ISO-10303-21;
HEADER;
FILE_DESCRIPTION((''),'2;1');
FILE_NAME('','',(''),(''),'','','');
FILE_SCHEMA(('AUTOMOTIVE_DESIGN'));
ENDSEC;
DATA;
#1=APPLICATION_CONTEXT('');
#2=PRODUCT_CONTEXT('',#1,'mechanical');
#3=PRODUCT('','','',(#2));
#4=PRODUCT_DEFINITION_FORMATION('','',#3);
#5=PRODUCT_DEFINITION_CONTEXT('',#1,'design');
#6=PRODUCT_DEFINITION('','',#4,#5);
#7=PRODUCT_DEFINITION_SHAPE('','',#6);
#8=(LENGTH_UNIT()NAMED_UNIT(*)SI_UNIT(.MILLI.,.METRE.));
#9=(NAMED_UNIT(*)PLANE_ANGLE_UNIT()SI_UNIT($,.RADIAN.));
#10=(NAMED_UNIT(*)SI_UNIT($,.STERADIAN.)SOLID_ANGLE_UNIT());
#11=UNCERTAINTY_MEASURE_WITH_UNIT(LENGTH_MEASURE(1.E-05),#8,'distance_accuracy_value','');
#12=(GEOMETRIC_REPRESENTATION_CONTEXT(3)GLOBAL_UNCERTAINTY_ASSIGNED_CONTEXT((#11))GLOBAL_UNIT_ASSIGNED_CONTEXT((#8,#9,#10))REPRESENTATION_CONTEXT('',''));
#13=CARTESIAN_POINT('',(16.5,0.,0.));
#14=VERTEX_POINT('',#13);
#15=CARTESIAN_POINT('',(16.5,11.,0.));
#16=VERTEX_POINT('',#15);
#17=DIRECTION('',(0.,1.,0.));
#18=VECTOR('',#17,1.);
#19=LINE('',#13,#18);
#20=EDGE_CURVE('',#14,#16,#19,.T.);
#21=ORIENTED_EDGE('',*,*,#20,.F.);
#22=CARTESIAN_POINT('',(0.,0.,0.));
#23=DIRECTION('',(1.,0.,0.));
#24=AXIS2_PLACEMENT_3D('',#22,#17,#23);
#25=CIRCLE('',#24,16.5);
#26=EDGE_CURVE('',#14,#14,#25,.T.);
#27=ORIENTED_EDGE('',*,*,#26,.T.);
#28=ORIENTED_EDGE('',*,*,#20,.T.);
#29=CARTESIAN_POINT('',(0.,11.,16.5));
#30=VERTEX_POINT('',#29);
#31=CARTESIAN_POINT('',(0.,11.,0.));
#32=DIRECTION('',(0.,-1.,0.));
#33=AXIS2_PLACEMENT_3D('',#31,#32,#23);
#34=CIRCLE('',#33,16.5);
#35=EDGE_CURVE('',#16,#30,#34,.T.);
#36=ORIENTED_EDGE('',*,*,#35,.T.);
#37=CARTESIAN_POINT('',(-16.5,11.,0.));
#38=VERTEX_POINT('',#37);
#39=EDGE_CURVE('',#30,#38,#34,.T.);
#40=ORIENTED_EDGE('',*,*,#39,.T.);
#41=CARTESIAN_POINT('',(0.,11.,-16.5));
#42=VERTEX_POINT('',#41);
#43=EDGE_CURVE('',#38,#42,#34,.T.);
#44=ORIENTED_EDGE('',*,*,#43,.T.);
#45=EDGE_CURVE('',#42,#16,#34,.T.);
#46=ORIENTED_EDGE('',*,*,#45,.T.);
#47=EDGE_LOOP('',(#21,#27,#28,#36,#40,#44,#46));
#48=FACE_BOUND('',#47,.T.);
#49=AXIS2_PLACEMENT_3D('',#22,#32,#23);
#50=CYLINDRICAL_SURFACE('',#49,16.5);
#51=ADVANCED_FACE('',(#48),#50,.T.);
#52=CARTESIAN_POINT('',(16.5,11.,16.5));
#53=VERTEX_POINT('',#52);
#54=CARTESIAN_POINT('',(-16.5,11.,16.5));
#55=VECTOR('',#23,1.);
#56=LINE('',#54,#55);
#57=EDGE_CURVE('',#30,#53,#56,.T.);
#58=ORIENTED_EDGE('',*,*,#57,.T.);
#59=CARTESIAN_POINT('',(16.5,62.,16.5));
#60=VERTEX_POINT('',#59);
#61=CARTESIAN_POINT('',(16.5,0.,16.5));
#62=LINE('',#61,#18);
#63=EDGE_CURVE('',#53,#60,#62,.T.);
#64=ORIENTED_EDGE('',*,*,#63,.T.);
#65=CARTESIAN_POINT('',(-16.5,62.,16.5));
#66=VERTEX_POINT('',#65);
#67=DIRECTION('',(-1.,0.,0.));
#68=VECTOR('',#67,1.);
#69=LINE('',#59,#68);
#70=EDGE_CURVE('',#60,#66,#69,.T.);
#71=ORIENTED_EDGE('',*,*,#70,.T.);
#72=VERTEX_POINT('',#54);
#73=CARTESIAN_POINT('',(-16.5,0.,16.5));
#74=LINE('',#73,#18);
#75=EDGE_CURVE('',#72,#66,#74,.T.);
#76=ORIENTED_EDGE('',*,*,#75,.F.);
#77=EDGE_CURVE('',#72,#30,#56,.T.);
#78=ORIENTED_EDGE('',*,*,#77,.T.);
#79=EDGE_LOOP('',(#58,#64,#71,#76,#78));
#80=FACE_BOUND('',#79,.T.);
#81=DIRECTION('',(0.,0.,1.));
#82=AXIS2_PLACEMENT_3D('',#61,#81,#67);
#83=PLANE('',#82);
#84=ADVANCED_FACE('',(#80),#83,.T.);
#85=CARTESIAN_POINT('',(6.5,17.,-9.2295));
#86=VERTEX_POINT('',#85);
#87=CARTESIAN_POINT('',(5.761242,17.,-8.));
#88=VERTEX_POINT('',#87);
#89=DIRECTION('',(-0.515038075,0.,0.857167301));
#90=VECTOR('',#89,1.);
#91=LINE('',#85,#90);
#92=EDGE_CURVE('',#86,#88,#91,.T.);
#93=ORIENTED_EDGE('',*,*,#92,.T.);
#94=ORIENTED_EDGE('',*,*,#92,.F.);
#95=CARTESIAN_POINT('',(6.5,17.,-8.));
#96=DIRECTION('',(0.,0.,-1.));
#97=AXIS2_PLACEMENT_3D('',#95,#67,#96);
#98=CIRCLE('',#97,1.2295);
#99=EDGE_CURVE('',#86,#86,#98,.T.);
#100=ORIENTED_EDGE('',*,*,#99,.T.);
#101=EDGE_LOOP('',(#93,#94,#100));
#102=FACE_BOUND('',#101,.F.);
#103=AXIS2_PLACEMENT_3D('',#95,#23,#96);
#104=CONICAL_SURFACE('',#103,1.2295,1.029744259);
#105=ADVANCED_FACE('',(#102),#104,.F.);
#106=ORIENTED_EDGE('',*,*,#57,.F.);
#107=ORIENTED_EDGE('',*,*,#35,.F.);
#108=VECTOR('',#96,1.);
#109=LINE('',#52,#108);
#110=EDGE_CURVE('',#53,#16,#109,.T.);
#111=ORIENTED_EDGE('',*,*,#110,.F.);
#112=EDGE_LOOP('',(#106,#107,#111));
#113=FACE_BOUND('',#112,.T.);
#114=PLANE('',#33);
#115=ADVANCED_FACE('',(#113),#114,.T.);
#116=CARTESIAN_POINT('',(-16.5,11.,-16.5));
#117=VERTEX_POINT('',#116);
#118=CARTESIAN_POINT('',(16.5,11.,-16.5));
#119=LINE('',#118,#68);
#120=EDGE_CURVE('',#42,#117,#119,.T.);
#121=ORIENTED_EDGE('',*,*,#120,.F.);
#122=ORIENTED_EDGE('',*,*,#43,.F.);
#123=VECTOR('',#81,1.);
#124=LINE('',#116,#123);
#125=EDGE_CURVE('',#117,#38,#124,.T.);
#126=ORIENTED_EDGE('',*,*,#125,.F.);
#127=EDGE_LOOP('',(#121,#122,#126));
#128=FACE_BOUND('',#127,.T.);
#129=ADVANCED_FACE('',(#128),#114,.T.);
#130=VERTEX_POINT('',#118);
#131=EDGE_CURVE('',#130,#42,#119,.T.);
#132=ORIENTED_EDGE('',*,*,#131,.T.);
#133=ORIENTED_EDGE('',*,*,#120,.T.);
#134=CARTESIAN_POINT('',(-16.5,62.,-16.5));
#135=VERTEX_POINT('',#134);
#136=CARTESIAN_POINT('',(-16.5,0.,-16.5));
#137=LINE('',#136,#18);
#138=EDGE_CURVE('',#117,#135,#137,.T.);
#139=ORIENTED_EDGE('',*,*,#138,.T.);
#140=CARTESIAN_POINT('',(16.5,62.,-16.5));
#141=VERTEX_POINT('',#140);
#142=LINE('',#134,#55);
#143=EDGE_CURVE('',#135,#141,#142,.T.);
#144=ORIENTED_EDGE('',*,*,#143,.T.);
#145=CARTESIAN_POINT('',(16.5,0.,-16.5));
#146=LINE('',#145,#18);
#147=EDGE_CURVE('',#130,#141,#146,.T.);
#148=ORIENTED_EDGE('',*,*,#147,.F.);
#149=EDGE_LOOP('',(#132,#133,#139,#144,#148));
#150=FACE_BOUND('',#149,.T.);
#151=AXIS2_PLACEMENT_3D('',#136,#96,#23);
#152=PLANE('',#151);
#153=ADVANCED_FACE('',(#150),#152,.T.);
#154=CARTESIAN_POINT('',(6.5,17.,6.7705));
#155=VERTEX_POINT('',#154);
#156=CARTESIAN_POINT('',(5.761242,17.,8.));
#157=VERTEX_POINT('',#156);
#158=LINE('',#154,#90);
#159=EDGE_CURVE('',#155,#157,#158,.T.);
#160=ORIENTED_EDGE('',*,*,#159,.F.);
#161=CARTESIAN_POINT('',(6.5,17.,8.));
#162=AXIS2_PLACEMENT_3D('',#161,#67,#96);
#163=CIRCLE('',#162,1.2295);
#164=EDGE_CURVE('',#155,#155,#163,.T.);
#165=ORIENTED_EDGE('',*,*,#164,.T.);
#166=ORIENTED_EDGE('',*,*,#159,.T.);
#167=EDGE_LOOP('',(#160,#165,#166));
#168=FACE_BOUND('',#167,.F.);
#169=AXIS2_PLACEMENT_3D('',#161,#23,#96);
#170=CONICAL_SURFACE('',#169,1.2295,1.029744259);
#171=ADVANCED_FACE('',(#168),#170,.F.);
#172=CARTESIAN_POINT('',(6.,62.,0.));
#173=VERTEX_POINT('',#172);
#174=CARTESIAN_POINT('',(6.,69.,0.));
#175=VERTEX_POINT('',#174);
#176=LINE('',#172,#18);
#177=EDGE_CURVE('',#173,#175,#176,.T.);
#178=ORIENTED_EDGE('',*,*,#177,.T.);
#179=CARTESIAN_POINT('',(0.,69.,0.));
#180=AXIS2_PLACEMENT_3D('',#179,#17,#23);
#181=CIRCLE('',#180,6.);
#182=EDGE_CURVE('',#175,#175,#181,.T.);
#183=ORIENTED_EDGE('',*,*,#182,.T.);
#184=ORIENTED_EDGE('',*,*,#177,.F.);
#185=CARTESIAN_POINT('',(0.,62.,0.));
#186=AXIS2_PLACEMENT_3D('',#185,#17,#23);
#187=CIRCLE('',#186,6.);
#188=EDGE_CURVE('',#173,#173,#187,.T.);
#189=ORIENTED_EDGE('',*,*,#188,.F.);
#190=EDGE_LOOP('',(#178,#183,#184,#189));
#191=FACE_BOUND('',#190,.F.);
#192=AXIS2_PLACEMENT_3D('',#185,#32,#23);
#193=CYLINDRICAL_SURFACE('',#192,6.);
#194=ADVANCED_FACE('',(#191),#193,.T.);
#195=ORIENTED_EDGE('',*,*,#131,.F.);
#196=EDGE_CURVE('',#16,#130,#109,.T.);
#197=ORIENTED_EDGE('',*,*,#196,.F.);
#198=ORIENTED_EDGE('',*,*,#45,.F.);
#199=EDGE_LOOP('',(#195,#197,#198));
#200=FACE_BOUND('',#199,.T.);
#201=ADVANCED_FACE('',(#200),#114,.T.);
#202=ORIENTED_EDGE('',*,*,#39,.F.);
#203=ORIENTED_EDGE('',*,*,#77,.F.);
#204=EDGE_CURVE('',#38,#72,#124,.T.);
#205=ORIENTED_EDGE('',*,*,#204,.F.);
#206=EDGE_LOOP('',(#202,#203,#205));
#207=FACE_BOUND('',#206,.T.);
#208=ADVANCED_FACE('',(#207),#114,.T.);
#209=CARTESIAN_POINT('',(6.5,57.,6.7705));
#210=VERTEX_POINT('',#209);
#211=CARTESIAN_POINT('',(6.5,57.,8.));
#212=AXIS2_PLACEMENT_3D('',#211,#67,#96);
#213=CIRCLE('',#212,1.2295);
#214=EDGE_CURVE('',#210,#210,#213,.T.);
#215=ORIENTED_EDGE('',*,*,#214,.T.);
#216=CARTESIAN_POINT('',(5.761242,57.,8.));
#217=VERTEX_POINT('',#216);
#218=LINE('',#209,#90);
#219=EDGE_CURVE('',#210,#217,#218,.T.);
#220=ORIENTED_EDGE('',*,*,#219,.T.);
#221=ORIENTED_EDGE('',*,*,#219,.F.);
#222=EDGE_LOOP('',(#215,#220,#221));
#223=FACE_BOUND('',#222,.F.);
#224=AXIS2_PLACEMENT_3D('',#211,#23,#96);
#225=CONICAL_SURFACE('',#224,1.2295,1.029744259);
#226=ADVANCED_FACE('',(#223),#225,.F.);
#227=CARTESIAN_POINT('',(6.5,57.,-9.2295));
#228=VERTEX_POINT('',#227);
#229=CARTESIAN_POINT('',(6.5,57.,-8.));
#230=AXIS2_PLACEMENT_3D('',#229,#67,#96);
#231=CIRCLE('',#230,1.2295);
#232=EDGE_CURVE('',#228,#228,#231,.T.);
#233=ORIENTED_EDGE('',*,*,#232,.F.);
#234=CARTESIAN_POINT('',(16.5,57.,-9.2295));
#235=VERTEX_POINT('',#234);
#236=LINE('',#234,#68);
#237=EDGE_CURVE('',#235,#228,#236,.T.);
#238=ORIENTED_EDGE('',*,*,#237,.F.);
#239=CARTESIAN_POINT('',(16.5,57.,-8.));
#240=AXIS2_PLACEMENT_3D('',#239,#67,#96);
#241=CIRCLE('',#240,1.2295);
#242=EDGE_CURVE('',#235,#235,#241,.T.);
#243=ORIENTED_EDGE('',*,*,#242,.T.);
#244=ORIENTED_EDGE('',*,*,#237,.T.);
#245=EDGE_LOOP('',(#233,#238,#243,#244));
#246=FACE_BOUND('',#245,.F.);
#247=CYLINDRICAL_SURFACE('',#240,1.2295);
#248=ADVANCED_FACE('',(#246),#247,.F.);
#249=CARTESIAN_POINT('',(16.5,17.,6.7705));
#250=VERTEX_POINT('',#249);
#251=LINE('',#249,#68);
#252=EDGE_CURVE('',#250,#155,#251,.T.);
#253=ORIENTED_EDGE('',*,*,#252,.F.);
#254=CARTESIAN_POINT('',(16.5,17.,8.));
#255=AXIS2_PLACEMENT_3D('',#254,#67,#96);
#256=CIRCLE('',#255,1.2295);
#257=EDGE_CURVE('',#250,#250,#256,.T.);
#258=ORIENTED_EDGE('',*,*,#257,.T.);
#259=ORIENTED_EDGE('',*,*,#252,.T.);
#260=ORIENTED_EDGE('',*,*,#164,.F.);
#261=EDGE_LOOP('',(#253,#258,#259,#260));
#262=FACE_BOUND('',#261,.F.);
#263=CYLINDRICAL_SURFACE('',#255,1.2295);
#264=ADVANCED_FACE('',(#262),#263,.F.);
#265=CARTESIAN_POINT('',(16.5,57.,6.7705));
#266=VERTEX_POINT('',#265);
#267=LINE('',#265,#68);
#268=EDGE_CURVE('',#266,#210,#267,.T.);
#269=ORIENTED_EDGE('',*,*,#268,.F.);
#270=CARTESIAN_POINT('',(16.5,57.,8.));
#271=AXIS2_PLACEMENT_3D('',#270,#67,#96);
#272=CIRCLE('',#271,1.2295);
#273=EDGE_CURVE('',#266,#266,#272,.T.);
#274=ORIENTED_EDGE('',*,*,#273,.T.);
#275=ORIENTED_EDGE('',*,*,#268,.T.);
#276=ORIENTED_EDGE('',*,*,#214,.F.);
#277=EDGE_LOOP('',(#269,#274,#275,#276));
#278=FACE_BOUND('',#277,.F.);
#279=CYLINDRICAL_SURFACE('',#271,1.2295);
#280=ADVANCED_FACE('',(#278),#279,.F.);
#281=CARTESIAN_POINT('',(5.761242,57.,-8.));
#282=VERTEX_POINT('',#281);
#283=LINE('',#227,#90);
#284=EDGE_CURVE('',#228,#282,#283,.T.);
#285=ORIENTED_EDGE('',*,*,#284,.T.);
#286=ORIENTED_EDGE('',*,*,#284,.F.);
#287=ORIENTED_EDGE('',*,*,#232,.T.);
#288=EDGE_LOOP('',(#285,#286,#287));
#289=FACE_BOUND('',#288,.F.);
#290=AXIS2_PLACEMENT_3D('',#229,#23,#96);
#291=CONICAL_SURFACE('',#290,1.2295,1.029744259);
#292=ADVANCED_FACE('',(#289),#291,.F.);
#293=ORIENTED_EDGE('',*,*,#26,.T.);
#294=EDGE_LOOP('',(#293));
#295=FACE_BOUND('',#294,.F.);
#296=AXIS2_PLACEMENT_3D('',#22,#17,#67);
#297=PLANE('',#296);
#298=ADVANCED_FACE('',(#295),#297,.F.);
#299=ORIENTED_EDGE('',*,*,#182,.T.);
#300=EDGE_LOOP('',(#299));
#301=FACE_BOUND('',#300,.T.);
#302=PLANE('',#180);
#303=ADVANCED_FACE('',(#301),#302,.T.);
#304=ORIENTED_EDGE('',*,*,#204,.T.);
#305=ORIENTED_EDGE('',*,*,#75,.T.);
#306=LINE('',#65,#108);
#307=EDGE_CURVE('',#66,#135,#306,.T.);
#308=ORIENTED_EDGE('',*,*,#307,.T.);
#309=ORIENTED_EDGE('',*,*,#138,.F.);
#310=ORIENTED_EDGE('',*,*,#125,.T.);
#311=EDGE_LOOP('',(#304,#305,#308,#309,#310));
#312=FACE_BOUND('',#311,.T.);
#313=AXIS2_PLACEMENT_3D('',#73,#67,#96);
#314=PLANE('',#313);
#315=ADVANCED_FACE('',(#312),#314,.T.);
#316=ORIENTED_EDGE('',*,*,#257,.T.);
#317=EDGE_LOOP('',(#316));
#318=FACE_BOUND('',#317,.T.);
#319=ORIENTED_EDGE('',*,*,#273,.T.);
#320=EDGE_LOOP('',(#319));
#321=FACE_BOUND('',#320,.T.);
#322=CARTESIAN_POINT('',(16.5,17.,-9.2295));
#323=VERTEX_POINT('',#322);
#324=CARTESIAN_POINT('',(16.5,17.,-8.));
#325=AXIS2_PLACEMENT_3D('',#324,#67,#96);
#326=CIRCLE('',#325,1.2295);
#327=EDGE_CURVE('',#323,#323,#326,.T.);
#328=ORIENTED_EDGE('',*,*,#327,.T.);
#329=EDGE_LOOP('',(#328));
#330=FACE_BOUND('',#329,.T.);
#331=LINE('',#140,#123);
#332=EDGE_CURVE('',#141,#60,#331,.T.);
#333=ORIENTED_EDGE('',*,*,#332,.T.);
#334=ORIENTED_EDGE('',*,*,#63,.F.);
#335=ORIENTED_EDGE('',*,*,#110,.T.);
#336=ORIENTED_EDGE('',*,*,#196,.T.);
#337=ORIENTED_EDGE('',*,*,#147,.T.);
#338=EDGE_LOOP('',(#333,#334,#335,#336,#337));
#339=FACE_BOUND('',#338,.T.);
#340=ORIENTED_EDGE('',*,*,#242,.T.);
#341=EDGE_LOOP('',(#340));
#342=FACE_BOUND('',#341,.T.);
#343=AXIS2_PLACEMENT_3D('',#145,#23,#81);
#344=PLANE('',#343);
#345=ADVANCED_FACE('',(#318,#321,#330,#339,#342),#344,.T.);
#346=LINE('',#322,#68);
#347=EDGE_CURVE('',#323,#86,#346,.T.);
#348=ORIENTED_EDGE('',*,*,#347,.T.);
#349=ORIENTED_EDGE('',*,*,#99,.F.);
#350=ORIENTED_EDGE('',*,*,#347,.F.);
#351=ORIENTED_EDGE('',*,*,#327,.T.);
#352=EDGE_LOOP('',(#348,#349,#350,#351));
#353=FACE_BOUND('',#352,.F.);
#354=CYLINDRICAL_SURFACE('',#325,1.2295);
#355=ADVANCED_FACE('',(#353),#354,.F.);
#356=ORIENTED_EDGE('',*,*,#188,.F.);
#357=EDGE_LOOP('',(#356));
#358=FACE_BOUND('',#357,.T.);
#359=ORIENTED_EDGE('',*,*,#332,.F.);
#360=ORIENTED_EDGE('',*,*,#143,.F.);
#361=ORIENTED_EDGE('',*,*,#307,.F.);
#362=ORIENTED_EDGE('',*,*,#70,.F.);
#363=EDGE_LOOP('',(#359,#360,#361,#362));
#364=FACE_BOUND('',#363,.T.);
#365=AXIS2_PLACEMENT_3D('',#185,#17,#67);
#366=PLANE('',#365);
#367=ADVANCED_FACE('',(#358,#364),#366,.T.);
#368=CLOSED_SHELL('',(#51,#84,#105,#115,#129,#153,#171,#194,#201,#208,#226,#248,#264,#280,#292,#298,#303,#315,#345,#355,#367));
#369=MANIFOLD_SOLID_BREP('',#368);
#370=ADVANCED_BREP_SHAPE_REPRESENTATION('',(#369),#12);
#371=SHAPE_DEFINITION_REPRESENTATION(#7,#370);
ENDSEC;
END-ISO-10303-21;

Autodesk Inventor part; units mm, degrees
ref_plane "YZ Plane" through (0, 0, 0) normal (1, 0, 0) x (0, 1, 0)
ref_plane "XZ Plane" through (0, 0, 0) normal (0, 1, 0) x (-1, 0, 0)
ref_plane "XY Plane" through (0, 0, 0) normal (0, 0, 1) x (1, 0, 0)
sketch "Sketch1" plane through (0, 0, 0) normal (0, 1, 0) x (-1, 0, 0)
  line L0 (-16.5, 16.5) -> (16.5, 16.5)
  line L1 (16.5, 16.5) -> (16.5, -16.5)
  line L2 (16.5, -16.5) -> (-16.5, -16.5)
  line L3 (-16.5, -16.5) -> (-16.5, 16.5)
  line L4 (-16.5, 16.5) -> (16.5, -16.5) construction
  line L5 (16.5, 16.5) -> (-16.5, -16.5) construction
  point P0 (0, 0)
  dimension "d0" = 33
  dimension "d1" = 33
extrude "Extrusion1" add sketch "Sketch1" along normal blind 62
sketch "Sketch2" plane through (0, 62, 0) normal (0, 1, 0) x (1, 0, 0)
  circle A0 centre (0, 0) radius 6
  dimension "d4" = 12
extrude "Extrusion2" add sketch "Sketch2" along normal blind 7
sketch "Sketch3" plane through (16.5, 0, 16.5) normal (1, 0, 0) x (0, 0, -1)
  circle A0 centre (8.5, 57) radius 1.575
  line L0 (-0.0785, 57) -> (33, 57)
  line L1 (33, 0) -> (33, 62) projected
  line L2 (0, 62) -> (33, 62) projected
  line L3 (33, 62) -> (0, 62) projected
  line L4 (16.5, 62) -> (16.5, 57)
  line L5 (0, 17) -> (33, 17)
  line L6 (16.5, 57) -> (16.5, 17)
  line L7 (16.5, 37) -> (33, 37)
  circle A1 centre (24.5, 57) radius 1.575
  circle A2 centre (8.5, 17) radius 1.575
  circle A3 centre (24.5, 17) radius 1.575
  point P0 (16.5, 0)
  dimension "d7" = 3.15
  dimension "d8" = 5
  dimension "d9" = 8
  dimension "d10" = 40
hole "Hole1" at (16.5, 57, 8) at (16.5, 57, -8) at (16.5, 17, 8) at (16.5, 17, -8) direction (-1, 0, 0) diameter 2.459 depth 10 tip angle 118 thread size "M3x0.5" class "6H" standard "ANSI Metric M Profile"
sketch "Sketch4" plane through (0, 0, 0) normal (0, -1, 0) x (1, 0, 0)
  circle A0 centre (0, 0) radius 16.5
  line L0 (16.5, -16.5) -> (-16.5, -16.5) projected
  line L1 (-16.5, 16.5) -> (16.5, 16.5)
  line L2 (16.5, 16.5) -> (16.5, -16.5)
  line L3 (16.5, -16.5) -> (-16.5, -16.5)
  line L4 (-16.5, -16.5) -> (-16.5, 16.5)
  line L5 (-16.5, 16.5) -> (16.5, -16.5) construction
  line L6 (16.5, 16.5) -> (-16.5, -16.5) construction
  dimension "d18" = 33
extrude "Extrusion3" cut sketch "Sketch4" against normal blind 11 contours L2 L0 A0 | A0 L1 L2 | A0 L4 L1 | L0 L4 A0
equation "\"d0\" = laser_y"
equation "\"d1\" = laser_z"
equation "\"d2\" = laser_x"
equation "\"d4\" = laser_diameter"
equation "\"d7\" = m3_diameter"
equation "\"d10\" = laser_screw_spacing_x"
equation "\"d18\" = laser_y"
equation "\"thick_acrylic\" = 5.88"
equation "\"thin_acrylic\" = 3.15"
equation "\"clear_acrylic\" = 3.15"
equation "\"wood_thickness\" = 6.72"
equation "\"al1_thickness\" = 1.5875"
equation "\"m3_diameter\" = 3.15"
equation "\"m4_diameter\" = 4.2"
equation "\"m5_diameter\" = 5.25"
equation "\"brass_insert_drill\" = 4"
equation "\"m5_brass_insert_drill\" = 6.7"
equation "\"m5_press_nut_drill\" = 6.35"
equation "\"m3_main_length\" = 14"
equation "\"m3_main_nut_width\" = 5.7"
equation "\"m3_main_nut_thickness\" = 2.5"
equation "\"m3_main_extra\" = 1"
equation "\"stepper_screw_space\" = 35"
equation "\"stepper_shaft_diameter\" = 5"
equation "\"stepper_body_diameter\" = 28"
equation "\"laser_body_diameter\" = 12"
equation "\"t_carrier\" = 6.72"
equation "\"t_wall\" = 5.88"
equation "\"t_window\" = 3.15"
equation "\"carrier_y\" = 181"
equation "\"carrier_z\" = 233.04"
equation "\"carrier_z2\" = 283.04"
equation "\"protection_slot\" = 30.2"
equation "\"protection_slot_offset\" = 37.75"
equation "\"protection_slot_length\" = 20.6"
equation "\"window_z\" = 185"
equation "\"window_y\" = 49.56"
equation "\"window_slot\" = 25"
equation "\"door_sensor\" = 35"
equation "\"reservoir_x\" = 151"
equation "\"reservoir_y\" = 151"
equation "\"linear_bearing_spacing\" = 207"
equation "\"linear_bearing_z\" = 304.8"
equation "\"threaded_rod_z\" = 203.2"
equation "\"motor_spacing\" = 287"
equation "\"t_tray\" = 3.15"
equation "\"tray_border\" = 15"
equation "\"tray_x\" = 151"
equation "\"tray_y\" = 181"
equation "\"bed_t\" = 1.5875"
equation "\"bed_y2\" = 45.96"
equation "\"bed_fold_x\" = 15"
equation "\"bed_gap\" = 0.3"
equation "\"t_inner_tray\" = 5.88"
equation "\"t_tape\" = 3"
equation "\"inner_tray_x\" = 145"
equation "\"inner_tray_y\" = 145"
equation "\"inner_tray_border\" = 5"
equation "\"inner_tray_radius\" = 24"
equation "\"t_bottom_clear\" = 3.15"
equation "\"bottom_clear_border\" = 5"
equation "\"brass_keep_out\" = 8"
equation "\"tape_keep_out\" = 2"
equation "\"tape_thickness\" = 2"
equation "\"t_crane\" = 6.72"
equation "\"crane_x\" = 244.56"
equation "\"end_stop_offset_x\" = 83"
equation "\"end_stop_spacing\" = 19"
equation "\"thumb_nut_offset_y\" = 11.72"
equation "\"thumb_nut_diameter\" = 7"
equation "\"z_min_from_center\" = 72.28"
equation "\"t_frame\" = 6.72"
equation "\"frame_top_z\" = 295"
equation "\"frame_bottom_z\" = 225"
equation "\"frame_y\" = 68.44"
equation "\"frame_border\" = 39.5"
equation "\"frame_foot_z\" = 49.5"
equation "\"frame_foot_extension\" = 6"
equation "\"frame_tilt\" = 0"
equation "\"printer_z\" = 289"
equation "\"lcd_x\" = 72"
equation "\"lcd_y\" = 25"
equation "\"subframe_y_offset\" = 27.5"
equation "\"laser_y_offset\" = 19.4"
equation "\"laser_diameter\" = 12"
equation "\"laser_y\" = 33"
equation "\"laser_z\" = 33"
equation "\"laser_x\" = 62"
equation "\"laser_screw_spacing_x\" = 40"
equation "\"laser_screw_spacing_y\" = 16"
equation "\"t_galvo_frame\" = 6.72"
equation "\"galvo_frame_x\" = 66"
equation "\"galvo_frame_z\" = 65"
equation "\"galvo_frame_y_offset\" = 27.5"
equation "\"drawer_x\" = 181"
equation "\"drawer_y\" = 49.56"
equation "\"drawer_z\" = 206.72"
equation "\"drawer_z_from_bottom\" = 25"
equation "\"drawer_foot_mount\" = 18"
equation "\"asym_key\" = 0"
equation "\"small_round\" = 2"
properties part number "laser"
